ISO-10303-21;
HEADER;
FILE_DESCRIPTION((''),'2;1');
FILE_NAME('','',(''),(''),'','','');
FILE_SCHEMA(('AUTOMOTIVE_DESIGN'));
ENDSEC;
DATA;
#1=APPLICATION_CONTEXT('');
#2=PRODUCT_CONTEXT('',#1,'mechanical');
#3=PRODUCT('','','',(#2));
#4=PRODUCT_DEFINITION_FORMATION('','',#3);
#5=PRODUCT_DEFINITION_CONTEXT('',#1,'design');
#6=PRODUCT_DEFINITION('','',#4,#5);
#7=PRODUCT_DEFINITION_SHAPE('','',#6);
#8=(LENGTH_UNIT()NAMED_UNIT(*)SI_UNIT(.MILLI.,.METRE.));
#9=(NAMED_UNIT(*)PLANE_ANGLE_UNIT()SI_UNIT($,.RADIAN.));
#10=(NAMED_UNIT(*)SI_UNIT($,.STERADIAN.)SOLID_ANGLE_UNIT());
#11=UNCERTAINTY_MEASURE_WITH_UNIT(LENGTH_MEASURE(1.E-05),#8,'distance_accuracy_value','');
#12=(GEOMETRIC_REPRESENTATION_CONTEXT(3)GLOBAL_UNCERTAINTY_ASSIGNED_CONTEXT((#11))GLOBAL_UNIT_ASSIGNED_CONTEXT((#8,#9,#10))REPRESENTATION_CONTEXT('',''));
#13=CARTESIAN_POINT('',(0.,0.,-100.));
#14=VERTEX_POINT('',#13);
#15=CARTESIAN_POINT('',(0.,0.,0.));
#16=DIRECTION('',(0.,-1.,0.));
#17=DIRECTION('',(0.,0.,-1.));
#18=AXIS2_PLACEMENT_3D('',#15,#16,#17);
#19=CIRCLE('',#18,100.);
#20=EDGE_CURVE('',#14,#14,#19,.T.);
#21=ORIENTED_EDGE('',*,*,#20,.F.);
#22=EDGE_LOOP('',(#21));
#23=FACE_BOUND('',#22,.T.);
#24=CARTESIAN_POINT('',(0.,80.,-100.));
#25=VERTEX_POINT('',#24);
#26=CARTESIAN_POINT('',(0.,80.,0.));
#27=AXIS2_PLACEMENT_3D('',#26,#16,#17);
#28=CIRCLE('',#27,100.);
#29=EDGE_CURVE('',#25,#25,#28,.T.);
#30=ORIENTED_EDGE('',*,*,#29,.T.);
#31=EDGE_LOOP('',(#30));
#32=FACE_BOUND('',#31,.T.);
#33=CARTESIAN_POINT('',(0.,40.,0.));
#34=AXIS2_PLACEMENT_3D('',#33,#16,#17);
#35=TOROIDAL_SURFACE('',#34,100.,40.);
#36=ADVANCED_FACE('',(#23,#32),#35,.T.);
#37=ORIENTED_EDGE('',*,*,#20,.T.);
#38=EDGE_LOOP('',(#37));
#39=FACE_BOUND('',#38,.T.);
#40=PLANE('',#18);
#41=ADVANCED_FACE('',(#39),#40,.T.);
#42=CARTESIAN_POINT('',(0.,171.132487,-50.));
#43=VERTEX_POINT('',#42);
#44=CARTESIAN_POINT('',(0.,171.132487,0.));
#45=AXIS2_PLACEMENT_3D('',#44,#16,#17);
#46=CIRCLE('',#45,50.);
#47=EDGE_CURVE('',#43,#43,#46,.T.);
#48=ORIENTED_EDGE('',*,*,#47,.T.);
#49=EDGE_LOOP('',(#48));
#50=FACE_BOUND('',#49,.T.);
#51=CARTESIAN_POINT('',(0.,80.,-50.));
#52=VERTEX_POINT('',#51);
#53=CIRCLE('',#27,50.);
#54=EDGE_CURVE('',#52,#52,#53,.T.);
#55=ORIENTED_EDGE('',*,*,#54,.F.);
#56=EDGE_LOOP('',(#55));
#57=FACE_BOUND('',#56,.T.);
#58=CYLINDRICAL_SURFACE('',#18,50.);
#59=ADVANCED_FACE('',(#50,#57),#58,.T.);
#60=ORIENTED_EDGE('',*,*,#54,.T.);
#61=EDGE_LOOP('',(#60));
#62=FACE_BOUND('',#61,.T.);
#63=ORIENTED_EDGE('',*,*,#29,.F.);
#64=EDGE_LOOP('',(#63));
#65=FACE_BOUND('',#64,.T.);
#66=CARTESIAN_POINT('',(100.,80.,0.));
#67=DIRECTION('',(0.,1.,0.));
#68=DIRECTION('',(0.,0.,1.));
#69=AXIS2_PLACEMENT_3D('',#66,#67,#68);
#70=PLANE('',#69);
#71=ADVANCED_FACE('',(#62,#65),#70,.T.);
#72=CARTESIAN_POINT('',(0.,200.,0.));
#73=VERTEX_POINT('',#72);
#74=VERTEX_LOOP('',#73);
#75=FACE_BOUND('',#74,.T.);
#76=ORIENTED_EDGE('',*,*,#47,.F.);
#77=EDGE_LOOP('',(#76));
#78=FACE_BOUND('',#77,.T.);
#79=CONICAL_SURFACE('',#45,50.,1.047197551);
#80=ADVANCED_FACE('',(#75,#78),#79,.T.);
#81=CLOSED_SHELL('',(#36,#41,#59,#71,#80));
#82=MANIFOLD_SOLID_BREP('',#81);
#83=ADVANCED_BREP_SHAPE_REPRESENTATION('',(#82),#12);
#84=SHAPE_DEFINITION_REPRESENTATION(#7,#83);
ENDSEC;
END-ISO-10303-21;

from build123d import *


with BuildPart() as part:
    # Sketch4 → Revolve1 (revolve)
    with BuildSketch(Plane.XY):
        with BuildLine():
            Line((0, 0), (0, 200))
            Line((0, 200), (50, 171.132486541))
            Line((50, 171.132486541), (50, 80))
            Line((50, 80), (100, 80))
            ThreePointArc((100, 80), (140, 40), (100, 0))
            Line((100, 0), (0, 0))
        make_face()
    revolve(axis=Axis((0, 0, 0), (0, 1, 0)))


solid = part.part
